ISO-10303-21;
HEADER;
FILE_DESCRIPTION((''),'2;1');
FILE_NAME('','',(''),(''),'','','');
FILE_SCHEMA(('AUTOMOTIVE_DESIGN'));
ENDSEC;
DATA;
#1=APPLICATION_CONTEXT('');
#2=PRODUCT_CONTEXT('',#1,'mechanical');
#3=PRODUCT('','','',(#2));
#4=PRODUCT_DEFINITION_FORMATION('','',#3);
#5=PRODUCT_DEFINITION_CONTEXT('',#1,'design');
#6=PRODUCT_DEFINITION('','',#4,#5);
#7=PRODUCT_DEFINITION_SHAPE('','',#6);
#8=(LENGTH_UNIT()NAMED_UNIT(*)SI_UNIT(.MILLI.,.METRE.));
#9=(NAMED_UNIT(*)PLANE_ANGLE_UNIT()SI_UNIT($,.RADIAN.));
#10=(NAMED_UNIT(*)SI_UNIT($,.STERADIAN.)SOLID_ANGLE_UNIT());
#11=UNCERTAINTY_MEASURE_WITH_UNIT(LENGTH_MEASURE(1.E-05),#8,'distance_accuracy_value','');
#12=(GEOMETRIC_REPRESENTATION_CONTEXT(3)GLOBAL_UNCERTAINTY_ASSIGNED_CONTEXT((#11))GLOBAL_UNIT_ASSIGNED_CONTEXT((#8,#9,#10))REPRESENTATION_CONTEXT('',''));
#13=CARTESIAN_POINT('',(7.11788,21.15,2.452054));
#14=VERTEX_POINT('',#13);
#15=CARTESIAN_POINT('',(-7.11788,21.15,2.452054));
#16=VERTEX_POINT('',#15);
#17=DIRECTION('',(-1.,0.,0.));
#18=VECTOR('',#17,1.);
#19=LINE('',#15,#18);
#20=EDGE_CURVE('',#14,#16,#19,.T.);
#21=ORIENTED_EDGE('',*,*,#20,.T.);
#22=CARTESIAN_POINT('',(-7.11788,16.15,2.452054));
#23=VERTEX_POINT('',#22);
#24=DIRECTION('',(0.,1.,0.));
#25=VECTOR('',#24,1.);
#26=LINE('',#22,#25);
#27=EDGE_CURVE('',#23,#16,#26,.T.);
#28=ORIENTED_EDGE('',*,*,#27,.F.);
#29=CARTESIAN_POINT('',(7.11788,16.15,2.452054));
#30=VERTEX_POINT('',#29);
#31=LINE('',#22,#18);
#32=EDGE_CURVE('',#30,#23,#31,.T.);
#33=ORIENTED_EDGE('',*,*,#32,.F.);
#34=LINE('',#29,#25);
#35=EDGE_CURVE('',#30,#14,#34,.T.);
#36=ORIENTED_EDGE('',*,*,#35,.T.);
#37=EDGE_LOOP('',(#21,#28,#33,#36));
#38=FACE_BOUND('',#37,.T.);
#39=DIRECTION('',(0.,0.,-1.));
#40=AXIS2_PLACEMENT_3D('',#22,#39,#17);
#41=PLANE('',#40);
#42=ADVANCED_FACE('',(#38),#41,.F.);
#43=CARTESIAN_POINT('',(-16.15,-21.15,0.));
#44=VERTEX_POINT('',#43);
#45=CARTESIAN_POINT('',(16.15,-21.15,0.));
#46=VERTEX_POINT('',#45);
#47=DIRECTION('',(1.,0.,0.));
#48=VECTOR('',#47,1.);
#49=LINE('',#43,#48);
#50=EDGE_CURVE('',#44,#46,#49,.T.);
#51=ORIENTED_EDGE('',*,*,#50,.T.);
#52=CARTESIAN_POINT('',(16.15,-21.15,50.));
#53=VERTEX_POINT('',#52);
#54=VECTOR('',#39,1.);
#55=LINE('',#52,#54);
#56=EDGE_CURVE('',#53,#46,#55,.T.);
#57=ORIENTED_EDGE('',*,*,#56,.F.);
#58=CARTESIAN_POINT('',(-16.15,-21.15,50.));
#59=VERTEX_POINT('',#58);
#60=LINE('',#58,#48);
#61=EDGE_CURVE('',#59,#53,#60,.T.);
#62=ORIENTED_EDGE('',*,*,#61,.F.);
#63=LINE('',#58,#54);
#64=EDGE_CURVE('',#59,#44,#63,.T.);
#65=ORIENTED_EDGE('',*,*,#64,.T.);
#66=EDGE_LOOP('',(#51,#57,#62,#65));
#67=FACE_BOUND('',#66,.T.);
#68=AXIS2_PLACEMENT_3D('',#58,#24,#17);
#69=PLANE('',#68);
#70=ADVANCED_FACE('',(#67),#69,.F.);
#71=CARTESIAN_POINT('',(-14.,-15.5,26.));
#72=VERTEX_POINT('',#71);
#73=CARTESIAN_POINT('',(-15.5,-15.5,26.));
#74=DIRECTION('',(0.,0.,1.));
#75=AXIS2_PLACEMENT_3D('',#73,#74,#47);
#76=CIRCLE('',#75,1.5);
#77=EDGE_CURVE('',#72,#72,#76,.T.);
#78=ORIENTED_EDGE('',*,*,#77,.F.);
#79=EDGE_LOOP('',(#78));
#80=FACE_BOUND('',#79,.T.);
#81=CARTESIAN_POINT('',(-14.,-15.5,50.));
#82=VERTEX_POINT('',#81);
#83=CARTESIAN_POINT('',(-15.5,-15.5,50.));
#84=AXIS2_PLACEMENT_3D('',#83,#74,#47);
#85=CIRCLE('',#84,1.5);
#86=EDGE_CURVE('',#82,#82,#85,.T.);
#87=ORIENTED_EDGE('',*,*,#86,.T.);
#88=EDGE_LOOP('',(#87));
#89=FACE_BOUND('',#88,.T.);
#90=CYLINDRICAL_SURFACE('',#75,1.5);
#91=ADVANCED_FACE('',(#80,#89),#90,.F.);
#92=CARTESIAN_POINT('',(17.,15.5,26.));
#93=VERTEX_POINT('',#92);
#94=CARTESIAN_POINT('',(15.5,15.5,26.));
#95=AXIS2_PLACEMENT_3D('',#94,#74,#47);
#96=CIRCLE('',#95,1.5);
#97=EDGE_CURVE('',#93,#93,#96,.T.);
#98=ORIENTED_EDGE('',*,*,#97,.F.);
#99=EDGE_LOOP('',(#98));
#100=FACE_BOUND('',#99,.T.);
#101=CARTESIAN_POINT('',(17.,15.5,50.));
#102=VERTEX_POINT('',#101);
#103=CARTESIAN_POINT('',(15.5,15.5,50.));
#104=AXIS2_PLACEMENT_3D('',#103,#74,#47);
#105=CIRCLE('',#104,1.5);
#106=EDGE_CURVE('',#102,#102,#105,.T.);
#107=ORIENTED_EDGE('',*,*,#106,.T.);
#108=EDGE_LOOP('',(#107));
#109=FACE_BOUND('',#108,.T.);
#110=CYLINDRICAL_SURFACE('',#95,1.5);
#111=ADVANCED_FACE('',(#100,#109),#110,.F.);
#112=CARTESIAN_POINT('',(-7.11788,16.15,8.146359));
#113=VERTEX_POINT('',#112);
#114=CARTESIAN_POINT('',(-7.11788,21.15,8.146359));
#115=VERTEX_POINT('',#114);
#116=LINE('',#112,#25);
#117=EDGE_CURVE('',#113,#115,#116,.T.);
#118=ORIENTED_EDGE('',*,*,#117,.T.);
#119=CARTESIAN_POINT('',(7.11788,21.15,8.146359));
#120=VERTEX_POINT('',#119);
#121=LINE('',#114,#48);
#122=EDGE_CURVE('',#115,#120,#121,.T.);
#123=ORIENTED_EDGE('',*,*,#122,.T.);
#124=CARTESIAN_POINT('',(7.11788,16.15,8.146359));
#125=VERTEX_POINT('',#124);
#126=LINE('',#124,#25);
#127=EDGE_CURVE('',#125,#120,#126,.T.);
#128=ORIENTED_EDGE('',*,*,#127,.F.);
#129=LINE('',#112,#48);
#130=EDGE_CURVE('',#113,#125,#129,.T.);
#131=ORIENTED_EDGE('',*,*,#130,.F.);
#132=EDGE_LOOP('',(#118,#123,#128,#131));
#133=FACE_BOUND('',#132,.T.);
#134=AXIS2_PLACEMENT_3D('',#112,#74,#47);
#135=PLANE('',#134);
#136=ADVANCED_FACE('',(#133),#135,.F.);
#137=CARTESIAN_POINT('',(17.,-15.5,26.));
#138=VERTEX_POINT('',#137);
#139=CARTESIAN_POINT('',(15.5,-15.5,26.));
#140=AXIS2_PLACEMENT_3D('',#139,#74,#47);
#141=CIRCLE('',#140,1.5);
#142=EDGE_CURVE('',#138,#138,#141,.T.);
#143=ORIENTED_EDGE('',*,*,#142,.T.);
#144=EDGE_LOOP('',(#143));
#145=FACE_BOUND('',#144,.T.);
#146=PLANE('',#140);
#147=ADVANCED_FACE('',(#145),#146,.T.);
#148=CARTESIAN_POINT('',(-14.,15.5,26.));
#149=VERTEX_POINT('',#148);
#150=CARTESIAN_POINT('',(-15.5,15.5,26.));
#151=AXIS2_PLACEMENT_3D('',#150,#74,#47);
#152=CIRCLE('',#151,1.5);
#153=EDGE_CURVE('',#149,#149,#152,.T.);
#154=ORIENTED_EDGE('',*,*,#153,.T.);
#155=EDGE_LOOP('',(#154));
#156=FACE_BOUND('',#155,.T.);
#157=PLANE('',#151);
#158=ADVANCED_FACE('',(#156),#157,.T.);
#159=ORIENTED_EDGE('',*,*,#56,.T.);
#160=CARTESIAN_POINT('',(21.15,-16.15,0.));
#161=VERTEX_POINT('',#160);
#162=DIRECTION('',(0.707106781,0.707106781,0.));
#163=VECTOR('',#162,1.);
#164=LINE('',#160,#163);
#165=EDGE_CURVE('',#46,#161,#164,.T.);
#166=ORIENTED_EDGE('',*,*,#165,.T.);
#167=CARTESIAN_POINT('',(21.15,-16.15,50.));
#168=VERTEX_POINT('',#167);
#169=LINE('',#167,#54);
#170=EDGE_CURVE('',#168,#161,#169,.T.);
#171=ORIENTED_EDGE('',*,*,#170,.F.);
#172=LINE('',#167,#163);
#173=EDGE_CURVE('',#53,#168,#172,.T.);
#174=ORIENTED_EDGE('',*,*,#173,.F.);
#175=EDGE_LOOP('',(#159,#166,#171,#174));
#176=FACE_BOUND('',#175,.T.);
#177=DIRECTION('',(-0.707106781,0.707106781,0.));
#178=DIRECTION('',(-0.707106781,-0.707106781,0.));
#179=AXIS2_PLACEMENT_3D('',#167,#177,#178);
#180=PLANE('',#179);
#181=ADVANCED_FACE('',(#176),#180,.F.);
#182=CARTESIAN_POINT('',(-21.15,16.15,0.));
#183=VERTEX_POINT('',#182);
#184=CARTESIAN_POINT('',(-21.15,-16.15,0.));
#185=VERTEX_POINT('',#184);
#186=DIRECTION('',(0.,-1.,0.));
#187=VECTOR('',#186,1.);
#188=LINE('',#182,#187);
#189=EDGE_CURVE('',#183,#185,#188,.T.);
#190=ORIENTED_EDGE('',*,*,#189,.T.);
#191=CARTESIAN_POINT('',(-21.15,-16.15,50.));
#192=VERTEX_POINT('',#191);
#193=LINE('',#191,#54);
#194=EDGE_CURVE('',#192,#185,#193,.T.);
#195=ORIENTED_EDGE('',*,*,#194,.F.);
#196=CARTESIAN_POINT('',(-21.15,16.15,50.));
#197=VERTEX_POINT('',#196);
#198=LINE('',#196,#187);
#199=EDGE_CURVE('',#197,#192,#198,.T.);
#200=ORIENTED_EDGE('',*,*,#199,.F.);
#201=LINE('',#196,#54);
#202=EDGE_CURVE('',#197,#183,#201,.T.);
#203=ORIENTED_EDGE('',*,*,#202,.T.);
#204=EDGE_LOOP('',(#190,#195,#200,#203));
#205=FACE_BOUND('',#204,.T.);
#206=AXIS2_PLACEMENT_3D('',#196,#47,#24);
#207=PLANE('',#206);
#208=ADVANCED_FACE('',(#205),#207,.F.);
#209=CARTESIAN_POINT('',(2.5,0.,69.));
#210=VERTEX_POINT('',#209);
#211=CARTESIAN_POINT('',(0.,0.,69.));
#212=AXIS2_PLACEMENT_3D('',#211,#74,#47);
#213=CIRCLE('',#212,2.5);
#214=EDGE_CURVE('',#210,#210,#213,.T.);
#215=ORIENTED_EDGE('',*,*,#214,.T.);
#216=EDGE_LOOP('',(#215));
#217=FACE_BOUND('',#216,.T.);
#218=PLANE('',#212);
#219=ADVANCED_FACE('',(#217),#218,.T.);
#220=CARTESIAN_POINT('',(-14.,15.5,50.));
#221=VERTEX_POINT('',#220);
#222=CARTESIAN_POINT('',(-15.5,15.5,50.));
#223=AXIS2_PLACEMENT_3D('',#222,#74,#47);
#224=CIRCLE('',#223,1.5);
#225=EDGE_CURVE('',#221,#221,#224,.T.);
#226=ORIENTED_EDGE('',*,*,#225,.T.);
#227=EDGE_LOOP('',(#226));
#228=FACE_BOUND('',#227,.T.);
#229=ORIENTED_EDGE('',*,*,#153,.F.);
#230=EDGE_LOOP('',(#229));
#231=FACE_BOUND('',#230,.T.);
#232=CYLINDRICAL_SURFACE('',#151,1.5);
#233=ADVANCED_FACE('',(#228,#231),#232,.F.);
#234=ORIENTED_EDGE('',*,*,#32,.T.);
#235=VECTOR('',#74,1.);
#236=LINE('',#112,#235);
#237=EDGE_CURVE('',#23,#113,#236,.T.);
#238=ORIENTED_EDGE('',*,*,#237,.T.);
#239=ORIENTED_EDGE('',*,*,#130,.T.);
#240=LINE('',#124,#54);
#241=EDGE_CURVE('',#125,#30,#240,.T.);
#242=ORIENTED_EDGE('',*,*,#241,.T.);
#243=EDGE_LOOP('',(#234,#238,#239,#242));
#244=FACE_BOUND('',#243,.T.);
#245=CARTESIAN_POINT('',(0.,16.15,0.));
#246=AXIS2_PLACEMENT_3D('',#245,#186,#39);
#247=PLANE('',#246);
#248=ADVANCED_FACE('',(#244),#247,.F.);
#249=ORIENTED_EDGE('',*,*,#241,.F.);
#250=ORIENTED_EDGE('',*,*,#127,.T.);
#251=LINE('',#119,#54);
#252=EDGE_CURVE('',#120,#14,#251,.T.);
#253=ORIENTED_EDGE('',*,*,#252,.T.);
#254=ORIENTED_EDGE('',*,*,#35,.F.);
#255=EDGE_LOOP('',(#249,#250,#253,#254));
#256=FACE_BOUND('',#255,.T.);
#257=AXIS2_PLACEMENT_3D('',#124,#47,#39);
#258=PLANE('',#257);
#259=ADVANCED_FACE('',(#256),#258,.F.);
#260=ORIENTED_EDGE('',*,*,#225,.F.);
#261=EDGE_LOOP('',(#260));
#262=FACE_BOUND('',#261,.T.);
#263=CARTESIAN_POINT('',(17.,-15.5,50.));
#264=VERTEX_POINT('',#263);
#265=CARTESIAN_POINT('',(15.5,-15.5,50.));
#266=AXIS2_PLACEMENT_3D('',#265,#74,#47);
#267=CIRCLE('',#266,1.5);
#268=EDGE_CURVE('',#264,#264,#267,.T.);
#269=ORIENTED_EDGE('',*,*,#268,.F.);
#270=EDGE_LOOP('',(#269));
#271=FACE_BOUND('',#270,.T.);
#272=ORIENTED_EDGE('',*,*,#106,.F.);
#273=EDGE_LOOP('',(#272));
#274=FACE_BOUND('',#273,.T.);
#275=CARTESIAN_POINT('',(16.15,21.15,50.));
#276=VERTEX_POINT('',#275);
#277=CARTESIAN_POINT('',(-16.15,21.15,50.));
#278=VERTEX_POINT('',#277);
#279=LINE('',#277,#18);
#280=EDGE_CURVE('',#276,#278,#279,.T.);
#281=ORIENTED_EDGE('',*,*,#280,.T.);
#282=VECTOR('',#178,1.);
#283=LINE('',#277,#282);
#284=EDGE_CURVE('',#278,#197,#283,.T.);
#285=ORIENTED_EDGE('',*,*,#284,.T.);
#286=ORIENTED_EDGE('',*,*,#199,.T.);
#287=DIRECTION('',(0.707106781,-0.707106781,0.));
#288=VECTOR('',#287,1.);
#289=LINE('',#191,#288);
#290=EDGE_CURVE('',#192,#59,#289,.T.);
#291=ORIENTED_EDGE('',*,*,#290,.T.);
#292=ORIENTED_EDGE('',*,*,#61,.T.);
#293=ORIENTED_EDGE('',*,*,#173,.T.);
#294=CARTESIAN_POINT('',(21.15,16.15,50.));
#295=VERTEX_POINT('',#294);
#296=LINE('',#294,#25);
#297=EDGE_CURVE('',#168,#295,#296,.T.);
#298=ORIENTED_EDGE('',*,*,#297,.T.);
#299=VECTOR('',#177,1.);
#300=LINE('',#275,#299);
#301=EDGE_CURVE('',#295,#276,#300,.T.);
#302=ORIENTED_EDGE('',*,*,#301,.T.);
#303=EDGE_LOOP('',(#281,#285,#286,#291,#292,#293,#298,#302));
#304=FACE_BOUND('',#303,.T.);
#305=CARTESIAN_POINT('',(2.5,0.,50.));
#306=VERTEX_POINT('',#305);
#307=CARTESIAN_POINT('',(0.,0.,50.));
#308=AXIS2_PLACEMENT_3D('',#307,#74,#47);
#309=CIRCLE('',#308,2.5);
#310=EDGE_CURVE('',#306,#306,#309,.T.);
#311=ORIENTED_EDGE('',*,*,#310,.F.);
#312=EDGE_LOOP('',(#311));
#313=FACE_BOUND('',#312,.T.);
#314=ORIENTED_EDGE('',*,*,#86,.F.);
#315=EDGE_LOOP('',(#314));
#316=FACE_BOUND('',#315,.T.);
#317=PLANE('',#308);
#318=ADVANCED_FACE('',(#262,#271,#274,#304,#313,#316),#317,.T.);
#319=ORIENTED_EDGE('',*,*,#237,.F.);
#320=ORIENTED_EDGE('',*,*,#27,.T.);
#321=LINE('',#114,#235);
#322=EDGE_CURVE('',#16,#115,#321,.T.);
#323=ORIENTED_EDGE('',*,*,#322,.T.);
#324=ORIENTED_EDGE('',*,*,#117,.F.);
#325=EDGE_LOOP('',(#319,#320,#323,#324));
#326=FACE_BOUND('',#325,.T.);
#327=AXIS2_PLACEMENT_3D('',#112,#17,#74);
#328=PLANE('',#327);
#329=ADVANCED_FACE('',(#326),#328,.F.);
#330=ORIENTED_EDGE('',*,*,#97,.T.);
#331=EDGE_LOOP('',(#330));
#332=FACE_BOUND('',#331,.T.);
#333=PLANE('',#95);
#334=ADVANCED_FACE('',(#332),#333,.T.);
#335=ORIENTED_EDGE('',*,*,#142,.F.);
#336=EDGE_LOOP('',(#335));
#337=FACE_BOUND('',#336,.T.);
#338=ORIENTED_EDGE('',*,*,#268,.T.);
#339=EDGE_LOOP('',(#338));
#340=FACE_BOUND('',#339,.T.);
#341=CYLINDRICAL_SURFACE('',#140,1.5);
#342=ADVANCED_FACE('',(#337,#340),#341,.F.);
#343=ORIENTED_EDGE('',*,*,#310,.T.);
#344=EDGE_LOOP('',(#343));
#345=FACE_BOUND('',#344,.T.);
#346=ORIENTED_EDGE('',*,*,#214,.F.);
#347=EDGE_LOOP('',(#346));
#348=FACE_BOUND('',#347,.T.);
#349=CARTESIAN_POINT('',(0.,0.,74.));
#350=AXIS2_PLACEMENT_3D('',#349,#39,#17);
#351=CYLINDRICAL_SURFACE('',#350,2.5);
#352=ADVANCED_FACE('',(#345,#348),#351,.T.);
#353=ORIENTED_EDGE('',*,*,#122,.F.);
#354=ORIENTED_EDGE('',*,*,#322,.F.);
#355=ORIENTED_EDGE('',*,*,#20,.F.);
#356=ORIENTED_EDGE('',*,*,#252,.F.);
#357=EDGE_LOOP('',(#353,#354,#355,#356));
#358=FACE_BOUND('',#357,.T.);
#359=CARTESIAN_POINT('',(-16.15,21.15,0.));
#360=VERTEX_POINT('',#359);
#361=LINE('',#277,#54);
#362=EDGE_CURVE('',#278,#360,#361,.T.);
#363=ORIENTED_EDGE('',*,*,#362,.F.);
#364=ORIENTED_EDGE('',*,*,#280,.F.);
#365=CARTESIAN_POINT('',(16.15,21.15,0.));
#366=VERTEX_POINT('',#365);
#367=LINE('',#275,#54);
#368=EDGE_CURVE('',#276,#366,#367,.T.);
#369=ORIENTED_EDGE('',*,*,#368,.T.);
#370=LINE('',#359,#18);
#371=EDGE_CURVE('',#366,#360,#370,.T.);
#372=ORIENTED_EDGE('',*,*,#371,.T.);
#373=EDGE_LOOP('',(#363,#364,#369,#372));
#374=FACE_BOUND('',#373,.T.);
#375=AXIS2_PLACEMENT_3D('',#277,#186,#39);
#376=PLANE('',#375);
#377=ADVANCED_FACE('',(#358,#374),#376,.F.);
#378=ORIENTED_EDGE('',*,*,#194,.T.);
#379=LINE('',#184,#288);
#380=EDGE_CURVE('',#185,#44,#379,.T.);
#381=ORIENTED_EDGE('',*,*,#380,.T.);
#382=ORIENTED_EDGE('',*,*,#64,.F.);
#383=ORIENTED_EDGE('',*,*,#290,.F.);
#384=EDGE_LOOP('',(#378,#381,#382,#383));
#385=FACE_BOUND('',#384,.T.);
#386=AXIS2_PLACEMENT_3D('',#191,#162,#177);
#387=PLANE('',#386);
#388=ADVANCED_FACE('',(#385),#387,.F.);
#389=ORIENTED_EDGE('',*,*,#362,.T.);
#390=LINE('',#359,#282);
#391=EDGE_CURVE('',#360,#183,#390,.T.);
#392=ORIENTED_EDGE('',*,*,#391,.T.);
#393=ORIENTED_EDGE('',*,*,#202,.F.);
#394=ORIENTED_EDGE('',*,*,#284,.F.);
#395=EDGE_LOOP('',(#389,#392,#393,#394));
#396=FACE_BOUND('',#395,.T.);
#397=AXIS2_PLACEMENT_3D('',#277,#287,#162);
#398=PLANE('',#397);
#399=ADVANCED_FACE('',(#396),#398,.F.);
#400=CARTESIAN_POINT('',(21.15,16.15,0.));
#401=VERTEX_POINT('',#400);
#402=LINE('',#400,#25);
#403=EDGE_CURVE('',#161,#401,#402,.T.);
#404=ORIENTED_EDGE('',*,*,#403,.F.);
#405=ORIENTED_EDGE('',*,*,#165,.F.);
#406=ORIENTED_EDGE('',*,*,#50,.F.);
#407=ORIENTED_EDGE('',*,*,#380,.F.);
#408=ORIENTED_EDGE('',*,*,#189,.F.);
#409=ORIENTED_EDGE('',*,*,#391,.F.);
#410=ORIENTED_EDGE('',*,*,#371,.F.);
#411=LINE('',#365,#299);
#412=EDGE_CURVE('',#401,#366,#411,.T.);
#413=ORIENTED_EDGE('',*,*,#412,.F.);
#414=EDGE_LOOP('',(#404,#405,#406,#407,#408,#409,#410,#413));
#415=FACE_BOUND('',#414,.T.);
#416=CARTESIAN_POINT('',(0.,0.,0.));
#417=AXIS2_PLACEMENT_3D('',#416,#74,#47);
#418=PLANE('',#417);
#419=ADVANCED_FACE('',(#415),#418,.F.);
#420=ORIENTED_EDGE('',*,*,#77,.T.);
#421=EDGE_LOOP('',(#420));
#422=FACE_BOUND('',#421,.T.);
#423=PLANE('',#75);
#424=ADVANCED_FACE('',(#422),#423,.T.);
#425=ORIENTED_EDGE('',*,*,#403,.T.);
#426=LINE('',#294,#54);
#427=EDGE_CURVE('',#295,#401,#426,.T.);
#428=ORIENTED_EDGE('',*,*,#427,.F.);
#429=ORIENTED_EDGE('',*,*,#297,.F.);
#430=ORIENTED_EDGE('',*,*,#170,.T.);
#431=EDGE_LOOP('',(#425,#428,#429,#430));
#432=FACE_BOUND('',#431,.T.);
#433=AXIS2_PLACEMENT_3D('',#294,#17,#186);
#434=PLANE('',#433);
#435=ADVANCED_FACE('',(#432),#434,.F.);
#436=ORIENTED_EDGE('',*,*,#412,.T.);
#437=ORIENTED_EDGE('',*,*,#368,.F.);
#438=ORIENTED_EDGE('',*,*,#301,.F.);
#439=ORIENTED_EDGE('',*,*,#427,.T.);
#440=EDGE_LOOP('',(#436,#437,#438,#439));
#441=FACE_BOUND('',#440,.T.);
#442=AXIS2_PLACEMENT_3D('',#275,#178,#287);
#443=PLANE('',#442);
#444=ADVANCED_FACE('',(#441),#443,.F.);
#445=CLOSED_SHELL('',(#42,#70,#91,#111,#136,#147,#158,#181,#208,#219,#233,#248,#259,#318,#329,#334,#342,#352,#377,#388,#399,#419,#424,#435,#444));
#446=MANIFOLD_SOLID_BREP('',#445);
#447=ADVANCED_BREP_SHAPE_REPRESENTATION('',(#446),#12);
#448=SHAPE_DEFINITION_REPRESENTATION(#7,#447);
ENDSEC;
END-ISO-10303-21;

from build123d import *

# Parameters (mm, degrees)
BOSS_EXTRUDE1_DEPTH = 50
SKETCH2_R           = 2.5
BOSS_EXTRUDE2_DEPTH = 24
SKETCH3_R           = 1.5
CUT_EXTRUDE1_DEPTH  = 24
SKETCH4_W           = 14.23576085
SKETCH4_H           = 5.694304341
CUT_EXTRUDE2_DEPTH  = 5
SKETCH6_R           = 2.5
CUT_EXTRUDE3_DEPTH  = 5


with BuildPart() as part:
    # Sketch1 → Boss-Extrude1 (new body)
    with BuildSketch(Plane.XY):
        Polygon((-16.15, 21.15), (-21.15, 16.15), (-21.15, -16.15), (-16.15, -21.15), (16.15, -21.15), (21.15, -16.15), (21.15, 16.15), (16.15, 21.15), align=None)
    extrude(amount=BOSS_EXTRUDE1_DEPTH)

    # Sketch2 → Boss-Extrude2 (add)
    with BuildSketch(Plane.XY.offset(50)):
        Circle(SKETCH2_R)
    extrude(amount=BOSS_EXTRUDE2_DEPTH)

    # Sketch3 → Cut-Extrude1 (cut)
    with BuildSketch(Plane.XY.offset(50)):
        with Locations((-15.5, 15.5)):
            Circle(SKETCH3_R)
        with Locations((-15.5, -15.5)):
            Circle(SKETCH3_R)
        with Locations((15.5, -15.5)):
            Circle(SKETCH3_R)
        with Locations((15.5, 15.5)):
            Circle(SKETCH3_R)
    extrude(amount=-CUT_EXTRUDE1_DEPTH, mode=Mode.SUBTRACT)

    # Sketch4 → Cut-Extrude2 (cut)
    with BuildSketch(Plane(origin=(0, 21.15, 0), x_dir=(1, 0, 0), z_dir=(0, 1, 0))):
        with Locations((0, -5.299206554)):
            Rectangle(SKETCH4_W, SKETCH4_H)
    extrude(amount=-CUT_EXTRUDE2_DEPTH, mode=Mode.SUBTRACT)

    # Sketch6 → Cut-Extrude3 (cut)
    with BuildSketch(Plane.XY.offset(74)):
        Circle(SKETCH6_R)
    extrude(amount=-CUT_EXTRUDE3_DEPTH, mode=Mode.SUBTRACT)


solid = part.part
